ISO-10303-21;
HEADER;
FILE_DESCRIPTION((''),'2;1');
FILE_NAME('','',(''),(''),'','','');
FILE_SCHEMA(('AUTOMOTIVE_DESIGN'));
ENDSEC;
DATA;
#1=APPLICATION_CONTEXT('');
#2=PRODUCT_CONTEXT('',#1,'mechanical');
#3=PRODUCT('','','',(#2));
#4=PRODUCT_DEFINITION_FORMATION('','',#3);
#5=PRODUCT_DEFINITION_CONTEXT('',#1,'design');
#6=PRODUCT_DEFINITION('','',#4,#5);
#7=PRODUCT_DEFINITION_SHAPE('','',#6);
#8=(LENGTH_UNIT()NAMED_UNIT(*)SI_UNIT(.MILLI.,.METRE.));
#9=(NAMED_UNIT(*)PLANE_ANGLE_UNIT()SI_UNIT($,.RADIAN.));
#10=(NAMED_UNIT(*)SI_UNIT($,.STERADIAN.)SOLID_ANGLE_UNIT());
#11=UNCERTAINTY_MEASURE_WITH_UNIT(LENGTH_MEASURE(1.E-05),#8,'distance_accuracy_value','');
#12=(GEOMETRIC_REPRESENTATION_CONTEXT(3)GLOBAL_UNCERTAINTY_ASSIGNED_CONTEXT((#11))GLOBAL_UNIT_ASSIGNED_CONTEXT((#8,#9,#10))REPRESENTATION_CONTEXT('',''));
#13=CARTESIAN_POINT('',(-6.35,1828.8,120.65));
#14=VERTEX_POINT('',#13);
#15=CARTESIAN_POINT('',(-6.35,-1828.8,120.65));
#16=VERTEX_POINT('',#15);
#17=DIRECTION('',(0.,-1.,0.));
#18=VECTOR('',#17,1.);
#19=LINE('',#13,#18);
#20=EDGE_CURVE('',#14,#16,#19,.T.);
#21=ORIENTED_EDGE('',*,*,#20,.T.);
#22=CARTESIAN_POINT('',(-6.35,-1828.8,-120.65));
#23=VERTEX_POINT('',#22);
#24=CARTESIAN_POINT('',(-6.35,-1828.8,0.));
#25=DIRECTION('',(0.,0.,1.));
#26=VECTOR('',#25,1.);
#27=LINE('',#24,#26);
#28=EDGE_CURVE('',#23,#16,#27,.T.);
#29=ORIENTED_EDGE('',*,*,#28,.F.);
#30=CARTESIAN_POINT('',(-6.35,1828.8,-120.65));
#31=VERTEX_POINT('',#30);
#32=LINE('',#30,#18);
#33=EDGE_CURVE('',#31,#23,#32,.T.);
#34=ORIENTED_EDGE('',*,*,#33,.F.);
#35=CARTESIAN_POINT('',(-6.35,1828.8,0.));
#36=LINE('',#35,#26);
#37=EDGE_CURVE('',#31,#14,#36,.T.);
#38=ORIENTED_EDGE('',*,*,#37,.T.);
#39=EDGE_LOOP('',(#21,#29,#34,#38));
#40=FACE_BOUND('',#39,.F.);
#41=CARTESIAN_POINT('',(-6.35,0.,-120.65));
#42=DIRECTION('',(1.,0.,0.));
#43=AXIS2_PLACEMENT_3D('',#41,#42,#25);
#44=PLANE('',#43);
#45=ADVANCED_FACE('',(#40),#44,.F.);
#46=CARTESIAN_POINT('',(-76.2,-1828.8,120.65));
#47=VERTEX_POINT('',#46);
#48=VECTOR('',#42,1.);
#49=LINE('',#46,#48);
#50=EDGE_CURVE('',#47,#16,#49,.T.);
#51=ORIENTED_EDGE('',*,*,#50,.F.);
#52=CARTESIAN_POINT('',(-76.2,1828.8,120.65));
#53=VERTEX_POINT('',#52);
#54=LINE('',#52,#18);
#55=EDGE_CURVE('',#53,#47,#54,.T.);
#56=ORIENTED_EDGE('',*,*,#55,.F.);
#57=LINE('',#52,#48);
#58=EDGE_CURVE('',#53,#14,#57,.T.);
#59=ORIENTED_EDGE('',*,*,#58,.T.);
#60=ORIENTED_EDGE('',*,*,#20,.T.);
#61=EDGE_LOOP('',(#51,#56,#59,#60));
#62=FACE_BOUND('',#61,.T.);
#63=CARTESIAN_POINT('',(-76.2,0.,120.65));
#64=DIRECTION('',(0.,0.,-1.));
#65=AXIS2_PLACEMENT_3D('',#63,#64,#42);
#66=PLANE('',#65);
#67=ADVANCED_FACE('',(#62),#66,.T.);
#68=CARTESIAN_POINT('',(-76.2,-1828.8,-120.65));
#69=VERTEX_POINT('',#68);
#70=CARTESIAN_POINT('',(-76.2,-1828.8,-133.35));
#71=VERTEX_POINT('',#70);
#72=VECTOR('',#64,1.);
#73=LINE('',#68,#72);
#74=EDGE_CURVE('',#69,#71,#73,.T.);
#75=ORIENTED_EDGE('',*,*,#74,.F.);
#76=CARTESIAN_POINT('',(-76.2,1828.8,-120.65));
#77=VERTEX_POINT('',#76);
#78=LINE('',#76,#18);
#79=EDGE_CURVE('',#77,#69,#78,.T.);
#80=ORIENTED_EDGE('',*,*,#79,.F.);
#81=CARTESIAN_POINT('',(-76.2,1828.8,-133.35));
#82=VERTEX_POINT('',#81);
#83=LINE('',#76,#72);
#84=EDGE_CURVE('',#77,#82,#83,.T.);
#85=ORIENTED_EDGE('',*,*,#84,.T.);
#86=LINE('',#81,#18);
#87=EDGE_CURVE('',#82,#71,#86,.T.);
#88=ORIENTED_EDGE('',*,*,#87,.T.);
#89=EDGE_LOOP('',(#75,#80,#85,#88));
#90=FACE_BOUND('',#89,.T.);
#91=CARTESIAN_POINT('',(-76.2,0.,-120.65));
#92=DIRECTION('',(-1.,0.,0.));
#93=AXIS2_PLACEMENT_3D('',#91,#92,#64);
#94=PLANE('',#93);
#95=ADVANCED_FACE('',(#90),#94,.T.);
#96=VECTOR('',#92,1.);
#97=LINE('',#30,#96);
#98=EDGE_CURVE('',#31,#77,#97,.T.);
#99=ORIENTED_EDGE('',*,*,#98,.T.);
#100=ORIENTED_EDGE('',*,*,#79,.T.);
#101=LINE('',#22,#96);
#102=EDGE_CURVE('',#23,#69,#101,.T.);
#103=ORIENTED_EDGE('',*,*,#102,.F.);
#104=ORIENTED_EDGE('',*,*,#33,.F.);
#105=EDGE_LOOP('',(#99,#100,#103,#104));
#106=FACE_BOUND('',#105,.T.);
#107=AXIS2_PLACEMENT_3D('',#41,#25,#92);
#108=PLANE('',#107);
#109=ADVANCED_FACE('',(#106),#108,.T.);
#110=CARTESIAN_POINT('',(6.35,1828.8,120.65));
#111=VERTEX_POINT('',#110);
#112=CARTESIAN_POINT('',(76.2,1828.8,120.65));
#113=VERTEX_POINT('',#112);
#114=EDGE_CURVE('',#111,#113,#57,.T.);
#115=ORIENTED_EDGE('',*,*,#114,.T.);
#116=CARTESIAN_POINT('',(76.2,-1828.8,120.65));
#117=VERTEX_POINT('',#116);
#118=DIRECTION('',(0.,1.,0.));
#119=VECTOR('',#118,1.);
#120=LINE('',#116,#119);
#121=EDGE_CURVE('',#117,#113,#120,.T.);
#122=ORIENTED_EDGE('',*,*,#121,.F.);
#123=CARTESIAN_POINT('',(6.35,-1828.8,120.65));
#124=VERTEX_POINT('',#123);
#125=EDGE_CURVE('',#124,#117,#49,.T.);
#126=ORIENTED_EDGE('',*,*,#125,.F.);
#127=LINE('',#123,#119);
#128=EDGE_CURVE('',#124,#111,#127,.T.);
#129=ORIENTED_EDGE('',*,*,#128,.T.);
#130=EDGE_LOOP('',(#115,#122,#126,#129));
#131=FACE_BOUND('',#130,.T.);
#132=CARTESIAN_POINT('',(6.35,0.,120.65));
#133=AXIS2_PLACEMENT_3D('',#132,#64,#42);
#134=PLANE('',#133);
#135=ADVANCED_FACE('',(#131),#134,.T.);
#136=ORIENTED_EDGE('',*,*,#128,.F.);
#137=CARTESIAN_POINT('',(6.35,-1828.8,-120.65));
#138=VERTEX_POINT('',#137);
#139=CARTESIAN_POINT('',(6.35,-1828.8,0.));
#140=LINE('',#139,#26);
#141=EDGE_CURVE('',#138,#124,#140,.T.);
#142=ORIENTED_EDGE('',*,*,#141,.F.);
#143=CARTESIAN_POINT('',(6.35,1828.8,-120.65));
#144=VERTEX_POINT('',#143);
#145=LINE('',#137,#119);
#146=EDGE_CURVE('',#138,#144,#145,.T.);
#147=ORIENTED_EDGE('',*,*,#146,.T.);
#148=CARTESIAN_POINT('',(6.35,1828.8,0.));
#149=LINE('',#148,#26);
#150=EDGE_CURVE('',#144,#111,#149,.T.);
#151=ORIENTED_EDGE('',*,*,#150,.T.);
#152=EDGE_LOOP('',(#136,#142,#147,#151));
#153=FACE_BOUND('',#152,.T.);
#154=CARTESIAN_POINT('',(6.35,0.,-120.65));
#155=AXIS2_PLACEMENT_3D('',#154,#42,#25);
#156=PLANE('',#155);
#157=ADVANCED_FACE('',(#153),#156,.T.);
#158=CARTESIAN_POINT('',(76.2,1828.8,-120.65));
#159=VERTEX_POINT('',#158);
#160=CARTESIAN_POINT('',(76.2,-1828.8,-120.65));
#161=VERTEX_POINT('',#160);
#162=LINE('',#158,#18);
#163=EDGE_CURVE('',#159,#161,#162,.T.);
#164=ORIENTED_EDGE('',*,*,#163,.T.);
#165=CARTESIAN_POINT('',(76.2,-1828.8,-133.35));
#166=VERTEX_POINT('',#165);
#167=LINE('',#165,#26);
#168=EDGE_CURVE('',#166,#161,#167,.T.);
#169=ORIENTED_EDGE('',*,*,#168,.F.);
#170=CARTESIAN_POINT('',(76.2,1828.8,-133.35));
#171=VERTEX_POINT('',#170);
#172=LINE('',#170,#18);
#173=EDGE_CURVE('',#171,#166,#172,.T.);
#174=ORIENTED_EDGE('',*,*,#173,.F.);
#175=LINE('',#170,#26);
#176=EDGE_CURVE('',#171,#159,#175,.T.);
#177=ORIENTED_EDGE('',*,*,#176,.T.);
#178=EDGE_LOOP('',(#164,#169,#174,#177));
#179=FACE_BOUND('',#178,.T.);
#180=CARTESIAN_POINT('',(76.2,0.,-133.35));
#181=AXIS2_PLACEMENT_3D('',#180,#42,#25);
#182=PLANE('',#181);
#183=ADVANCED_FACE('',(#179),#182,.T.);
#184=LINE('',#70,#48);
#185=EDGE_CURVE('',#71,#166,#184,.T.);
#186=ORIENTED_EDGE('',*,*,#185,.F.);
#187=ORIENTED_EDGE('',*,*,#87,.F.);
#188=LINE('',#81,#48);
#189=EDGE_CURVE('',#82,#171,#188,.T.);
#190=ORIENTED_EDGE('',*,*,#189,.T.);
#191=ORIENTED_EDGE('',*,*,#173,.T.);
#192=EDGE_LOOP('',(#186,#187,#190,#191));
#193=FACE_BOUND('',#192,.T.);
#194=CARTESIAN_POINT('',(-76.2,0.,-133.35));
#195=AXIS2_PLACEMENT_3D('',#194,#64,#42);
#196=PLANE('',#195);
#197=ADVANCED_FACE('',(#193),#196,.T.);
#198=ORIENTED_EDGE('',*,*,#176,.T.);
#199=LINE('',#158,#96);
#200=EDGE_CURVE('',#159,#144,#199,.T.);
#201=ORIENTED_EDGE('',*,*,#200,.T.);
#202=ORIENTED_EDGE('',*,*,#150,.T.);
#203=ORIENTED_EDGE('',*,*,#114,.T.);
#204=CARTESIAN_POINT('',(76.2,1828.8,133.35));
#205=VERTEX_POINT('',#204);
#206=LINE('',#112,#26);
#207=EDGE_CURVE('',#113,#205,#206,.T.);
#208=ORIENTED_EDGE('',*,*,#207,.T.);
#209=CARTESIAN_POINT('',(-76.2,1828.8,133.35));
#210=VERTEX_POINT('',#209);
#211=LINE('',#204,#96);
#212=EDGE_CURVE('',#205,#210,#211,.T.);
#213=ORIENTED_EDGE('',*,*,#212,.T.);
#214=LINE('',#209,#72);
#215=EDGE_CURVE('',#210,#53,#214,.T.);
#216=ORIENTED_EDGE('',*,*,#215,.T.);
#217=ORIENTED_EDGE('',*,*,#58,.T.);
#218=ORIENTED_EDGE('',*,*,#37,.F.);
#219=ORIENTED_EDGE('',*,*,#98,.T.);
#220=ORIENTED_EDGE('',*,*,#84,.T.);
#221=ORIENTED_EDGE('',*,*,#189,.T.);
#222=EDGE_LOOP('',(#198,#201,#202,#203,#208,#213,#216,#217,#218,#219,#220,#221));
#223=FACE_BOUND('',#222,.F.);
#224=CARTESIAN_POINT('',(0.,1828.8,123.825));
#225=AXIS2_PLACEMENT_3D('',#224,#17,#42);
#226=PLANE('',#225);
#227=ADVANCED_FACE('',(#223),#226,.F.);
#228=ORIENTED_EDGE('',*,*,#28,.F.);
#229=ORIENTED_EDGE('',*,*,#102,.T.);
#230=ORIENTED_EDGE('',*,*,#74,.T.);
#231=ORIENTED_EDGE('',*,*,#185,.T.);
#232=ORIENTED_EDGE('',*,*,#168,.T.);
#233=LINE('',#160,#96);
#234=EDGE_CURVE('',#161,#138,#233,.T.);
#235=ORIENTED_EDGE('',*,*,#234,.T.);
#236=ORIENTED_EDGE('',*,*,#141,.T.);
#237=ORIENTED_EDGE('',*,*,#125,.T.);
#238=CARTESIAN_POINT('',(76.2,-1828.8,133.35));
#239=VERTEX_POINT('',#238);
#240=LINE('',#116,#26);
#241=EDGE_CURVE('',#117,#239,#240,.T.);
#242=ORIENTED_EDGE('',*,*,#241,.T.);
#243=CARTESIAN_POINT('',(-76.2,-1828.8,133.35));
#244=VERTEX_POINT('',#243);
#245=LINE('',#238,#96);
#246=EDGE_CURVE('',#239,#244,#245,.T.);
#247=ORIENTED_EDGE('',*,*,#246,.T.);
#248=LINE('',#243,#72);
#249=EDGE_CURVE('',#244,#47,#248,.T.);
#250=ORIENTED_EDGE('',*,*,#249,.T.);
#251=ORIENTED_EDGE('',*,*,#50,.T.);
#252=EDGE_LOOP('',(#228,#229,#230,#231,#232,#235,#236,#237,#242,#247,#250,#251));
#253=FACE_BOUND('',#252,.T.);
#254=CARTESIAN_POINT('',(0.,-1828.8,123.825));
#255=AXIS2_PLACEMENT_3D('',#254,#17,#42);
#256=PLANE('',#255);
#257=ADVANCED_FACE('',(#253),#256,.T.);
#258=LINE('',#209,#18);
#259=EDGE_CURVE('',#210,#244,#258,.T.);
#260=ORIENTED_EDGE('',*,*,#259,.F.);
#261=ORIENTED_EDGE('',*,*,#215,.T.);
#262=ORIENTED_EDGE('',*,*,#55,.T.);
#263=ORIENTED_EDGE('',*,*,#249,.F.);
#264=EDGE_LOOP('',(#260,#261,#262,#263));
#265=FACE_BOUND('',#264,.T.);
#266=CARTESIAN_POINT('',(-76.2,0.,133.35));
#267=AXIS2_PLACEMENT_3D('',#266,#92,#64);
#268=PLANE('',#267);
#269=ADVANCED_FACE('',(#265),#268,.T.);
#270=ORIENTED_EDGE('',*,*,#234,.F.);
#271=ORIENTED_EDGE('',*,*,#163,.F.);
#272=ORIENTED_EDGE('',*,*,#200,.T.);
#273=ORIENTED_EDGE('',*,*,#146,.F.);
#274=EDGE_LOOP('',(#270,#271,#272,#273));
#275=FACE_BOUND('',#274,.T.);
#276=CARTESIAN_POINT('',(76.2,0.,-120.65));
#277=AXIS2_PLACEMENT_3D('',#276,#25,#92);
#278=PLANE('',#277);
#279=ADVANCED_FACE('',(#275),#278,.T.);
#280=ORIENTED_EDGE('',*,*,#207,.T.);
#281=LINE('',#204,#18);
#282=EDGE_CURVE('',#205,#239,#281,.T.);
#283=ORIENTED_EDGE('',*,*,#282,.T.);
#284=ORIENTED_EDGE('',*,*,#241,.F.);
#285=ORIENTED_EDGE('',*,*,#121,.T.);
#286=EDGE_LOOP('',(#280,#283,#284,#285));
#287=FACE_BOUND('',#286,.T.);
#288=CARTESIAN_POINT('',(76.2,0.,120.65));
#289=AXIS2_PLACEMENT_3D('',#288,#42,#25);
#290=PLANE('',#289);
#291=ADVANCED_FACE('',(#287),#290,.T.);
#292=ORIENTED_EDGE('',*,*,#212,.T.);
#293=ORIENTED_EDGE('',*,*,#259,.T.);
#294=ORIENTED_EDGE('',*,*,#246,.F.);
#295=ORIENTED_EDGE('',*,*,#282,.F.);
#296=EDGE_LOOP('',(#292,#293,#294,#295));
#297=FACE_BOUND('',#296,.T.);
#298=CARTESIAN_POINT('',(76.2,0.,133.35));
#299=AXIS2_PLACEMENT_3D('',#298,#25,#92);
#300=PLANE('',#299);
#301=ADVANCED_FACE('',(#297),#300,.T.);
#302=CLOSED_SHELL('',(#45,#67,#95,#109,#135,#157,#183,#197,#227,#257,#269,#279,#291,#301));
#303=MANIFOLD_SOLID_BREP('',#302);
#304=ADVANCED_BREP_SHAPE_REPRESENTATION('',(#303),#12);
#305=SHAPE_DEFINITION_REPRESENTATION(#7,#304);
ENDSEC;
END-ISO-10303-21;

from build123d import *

# Parameters (mm, degrees)
F0_W     = 12.7
F0_H     = 6.35
F0_H_2   = 241.3
F1_DEPTH = 1828.8


with BuildPart() as f1:
    # F0 (on Front) → F1 (new body, symmetric)
    with BuildSketch(Plane.XZ):
        with Locations((0, 123.825)):
            Rectangle(F0_W, F0_H)
        Polygon((-6.35, 127), (6.35, 127), (6.35, 120.65), (76.2, 120.65), (76.2, 133.35), (-76.2, 133.35), (-76.2, 120.65), (-6.35, 120.65), align=None)
        Rectangle(F0_W, F0_H_2)
        Polygon((76.2, -120.65), (6.35, -120.65), (6.35, -127), (-6.35, -127), (-6.35, -120.65), (-76.2, -120.65), (-76.2, -133.35), (76.2, -133.35), align=None)
        with Locations((0, -123.825)):
            Rectangle(F0_W, F0_H)
    extrude(amount=F1_DEPTH, both=True)


solid = f1.part
